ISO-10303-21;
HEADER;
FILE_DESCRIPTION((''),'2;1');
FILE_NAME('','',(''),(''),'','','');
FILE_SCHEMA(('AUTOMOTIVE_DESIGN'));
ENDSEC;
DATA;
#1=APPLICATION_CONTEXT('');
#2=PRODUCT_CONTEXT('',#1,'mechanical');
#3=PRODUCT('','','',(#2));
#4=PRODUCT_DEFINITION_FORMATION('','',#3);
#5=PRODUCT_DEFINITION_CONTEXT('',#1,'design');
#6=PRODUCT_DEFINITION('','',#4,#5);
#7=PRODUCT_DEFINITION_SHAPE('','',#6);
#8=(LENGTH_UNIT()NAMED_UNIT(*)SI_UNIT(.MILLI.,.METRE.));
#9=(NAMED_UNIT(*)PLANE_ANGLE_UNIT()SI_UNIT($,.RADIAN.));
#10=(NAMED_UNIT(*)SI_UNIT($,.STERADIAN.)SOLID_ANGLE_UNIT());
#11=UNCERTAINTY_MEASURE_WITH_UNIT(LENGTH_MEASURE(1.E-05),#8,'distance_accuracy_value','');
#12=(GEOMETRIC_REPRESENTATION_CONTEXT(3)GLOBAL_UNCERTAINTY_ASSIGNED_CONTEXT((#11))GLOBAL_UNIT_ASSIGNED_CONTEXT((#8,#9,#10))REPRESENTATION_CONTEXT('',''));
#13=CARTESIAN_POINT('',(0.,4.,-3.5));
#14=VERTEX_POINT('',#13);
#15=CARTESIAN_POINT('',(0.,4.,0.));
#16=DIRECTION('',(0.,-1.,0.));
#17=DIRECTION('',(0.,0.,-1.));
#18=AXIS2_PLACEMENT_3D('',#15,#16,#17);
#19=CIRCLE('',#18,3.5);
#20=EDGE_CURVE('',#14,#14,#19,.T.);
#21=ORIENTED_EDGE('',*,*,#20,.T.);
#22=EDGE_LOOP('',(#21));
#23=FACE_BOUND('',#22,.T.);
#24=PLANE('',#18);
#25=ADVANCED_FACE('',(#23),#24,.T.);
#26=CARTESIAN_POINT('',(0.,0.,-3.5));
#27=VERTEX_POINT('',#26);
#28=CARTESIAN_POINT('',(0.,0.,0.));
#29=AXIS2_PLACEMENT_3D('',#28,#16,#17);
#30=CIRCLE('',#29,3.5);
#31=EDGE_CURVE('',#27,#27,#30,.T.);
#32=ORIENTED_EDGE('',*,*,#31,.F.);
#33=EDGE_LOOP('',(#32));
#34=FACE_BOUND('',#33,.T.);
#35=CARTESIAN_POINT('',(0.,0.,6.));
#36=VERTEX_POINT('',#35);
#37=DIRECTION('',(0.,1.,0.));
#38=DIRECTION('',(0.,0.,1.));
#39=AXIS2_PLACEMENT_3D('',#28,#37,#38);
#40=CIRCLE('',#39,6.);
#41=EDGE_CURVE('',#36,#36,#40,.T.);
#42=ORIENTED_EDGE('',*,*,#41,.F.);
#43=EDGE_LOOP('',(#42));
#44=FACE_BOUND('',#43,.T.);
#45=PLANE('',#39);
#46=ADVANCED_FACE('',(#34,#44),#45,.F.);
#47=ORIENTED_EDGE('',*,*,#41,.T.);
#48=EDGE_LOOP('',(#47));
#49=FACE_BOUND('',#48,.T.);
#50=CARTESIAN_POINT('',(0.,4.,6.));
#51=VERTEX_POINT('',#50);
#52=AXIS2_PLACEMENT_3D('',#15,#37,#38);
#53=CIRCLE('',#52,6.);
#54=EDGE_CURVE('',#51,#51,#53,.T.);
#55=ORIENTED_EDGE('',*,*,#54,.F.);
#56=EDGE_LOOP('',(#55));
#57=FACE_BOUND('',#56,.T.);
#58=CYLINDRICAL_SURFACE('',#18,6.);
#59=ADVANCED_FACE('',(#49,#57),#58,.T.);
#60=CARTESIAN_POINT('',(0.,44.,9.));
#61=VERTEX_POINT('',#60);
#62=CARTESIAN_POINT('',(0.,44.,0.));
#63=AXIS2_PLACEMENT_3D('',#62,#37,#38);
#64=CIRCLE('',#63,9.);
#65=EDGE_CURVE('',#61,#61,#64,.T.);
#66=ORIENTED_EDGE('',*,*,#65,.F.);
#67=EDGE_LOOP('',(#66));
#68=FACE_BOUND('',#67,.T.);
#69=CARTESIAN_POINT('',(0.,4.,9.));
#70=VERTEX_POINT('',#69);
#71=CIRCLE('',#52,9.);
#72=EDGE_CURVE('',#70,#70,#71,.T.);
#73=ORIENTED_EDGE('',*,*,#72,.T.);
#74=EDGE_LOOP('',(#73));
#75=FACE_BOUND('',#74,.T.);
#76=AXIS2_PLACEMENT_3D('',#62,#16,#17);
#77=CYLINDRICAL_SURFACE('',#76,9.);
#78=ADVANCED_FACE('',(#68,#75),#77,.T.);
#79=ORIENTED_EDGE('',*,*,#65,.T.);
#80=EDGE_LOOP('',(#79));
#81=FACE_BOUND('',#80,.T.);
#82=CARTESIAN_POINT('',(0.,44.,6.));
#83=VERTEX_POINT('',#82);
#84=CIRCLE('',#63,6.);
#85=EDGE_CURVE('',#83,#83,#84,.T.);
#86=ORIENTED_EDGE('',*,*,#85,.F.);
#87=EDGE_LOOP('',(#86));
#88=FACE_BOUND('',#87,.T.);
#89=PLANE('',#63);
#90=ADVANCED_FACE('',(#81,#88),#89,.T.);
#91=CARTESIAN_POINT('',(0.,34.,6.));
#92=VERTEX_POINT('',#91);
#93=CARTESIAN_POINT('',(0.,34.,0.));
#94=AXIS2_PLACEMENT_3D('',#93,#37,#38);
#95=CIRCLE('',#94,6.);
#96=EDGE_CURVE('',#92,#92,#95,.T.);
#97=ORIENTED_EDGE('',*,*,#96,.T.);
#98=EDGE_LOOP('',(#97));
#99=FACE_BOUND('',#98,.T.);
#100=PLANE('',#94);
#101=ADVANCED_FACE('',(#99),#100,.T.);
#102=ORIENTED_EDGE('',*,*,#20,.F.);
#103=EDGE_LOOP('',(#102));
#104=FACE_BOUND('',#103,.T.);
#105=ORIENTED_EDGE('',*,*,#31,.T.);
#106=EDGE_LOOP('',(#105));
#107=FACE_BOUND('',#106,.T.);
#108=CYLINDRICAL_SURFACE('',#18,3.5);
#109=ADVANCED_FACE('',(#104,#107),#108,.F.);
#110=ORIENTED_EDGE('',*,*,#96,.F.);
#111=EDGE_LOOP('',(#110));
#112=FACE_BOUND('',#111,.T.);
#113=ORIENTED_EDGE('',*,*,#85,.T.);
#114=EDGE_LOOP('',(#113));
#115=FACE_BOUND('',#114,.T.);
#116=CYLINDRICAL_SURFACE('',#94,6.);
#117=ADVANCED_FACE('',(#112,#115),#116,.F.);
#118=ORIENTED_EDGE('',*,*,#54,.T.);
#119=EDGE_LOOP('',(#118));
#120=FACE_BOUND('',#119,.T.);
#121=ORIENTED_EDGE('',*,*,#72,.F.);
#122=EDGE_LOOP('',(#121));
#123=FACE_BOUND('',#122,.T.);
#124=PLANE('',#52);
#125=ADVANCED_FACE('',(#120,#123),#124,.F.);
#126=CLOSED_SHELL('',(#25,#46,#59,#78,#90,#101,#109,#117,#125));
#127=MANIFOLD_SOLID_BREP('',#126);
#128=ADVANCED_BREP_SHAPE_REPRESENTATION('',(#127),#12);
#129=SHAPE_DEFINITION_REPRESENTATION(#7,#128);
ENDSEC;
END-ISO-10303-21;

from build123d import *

# Parameters (mm, degrees)
SKETCH1_R           = 6
BOSS_EXTRUDE1_DEPTH = 4
SKETCH2_R           = 9
BOSS_EXTRUDE2_DEPTH = 40
SKETCH3_R           = 3.5
CUT_EXTRUDE1_DEPTH  = 4
SKETCH4_R           = 6
CUT_EXTRUDE2_DEPTH  = 10


with BuildPart() as part:
    # Sketch1 → Boss-Extrude1 (new body)
    with BuildSketch(Plane(origin=(0, 0, 0), x_dir=(1, 0, 0), z_dir=(0, 1, 0))):
        Circle(SKETCH1_R)
    extrude(amount=BOSS_EXTRUDE1_DEPTH)

    # Sketch2 → Boss-Extrude2 (add)
    with BuildSketch(Plane(origin=(0, 4, 0), x_dir=(1, 0, 0), z_dir=(0, 1, 0))):
        Circle(SKETCH2_R)
    extrude(amount=BOSS_EXTRUDE2_DEPTH)

    # Sketch3 → Cut-Extrude1 (cut)
    with BuildSketch(Plane.XZ):
        Circle(SKETCH3_R)
    extrude(amount=-CUT_EXTRUDE1_DEPTH, mode=Mode.SUBTRACT)

    # Sketch4 → Cut-Extrude2 (cut)
    with BuildSketch(Plane(origin=(0, 44, 0), x_dir=(1, 0, 0), z_dir=(0, 1, 0))):
        Circle(SKETCH4_R)
    extrude(amount=-CUT_EXTRUDE2_DEPTH, mode=Mode.SUBTRACT)


solid = part.part
